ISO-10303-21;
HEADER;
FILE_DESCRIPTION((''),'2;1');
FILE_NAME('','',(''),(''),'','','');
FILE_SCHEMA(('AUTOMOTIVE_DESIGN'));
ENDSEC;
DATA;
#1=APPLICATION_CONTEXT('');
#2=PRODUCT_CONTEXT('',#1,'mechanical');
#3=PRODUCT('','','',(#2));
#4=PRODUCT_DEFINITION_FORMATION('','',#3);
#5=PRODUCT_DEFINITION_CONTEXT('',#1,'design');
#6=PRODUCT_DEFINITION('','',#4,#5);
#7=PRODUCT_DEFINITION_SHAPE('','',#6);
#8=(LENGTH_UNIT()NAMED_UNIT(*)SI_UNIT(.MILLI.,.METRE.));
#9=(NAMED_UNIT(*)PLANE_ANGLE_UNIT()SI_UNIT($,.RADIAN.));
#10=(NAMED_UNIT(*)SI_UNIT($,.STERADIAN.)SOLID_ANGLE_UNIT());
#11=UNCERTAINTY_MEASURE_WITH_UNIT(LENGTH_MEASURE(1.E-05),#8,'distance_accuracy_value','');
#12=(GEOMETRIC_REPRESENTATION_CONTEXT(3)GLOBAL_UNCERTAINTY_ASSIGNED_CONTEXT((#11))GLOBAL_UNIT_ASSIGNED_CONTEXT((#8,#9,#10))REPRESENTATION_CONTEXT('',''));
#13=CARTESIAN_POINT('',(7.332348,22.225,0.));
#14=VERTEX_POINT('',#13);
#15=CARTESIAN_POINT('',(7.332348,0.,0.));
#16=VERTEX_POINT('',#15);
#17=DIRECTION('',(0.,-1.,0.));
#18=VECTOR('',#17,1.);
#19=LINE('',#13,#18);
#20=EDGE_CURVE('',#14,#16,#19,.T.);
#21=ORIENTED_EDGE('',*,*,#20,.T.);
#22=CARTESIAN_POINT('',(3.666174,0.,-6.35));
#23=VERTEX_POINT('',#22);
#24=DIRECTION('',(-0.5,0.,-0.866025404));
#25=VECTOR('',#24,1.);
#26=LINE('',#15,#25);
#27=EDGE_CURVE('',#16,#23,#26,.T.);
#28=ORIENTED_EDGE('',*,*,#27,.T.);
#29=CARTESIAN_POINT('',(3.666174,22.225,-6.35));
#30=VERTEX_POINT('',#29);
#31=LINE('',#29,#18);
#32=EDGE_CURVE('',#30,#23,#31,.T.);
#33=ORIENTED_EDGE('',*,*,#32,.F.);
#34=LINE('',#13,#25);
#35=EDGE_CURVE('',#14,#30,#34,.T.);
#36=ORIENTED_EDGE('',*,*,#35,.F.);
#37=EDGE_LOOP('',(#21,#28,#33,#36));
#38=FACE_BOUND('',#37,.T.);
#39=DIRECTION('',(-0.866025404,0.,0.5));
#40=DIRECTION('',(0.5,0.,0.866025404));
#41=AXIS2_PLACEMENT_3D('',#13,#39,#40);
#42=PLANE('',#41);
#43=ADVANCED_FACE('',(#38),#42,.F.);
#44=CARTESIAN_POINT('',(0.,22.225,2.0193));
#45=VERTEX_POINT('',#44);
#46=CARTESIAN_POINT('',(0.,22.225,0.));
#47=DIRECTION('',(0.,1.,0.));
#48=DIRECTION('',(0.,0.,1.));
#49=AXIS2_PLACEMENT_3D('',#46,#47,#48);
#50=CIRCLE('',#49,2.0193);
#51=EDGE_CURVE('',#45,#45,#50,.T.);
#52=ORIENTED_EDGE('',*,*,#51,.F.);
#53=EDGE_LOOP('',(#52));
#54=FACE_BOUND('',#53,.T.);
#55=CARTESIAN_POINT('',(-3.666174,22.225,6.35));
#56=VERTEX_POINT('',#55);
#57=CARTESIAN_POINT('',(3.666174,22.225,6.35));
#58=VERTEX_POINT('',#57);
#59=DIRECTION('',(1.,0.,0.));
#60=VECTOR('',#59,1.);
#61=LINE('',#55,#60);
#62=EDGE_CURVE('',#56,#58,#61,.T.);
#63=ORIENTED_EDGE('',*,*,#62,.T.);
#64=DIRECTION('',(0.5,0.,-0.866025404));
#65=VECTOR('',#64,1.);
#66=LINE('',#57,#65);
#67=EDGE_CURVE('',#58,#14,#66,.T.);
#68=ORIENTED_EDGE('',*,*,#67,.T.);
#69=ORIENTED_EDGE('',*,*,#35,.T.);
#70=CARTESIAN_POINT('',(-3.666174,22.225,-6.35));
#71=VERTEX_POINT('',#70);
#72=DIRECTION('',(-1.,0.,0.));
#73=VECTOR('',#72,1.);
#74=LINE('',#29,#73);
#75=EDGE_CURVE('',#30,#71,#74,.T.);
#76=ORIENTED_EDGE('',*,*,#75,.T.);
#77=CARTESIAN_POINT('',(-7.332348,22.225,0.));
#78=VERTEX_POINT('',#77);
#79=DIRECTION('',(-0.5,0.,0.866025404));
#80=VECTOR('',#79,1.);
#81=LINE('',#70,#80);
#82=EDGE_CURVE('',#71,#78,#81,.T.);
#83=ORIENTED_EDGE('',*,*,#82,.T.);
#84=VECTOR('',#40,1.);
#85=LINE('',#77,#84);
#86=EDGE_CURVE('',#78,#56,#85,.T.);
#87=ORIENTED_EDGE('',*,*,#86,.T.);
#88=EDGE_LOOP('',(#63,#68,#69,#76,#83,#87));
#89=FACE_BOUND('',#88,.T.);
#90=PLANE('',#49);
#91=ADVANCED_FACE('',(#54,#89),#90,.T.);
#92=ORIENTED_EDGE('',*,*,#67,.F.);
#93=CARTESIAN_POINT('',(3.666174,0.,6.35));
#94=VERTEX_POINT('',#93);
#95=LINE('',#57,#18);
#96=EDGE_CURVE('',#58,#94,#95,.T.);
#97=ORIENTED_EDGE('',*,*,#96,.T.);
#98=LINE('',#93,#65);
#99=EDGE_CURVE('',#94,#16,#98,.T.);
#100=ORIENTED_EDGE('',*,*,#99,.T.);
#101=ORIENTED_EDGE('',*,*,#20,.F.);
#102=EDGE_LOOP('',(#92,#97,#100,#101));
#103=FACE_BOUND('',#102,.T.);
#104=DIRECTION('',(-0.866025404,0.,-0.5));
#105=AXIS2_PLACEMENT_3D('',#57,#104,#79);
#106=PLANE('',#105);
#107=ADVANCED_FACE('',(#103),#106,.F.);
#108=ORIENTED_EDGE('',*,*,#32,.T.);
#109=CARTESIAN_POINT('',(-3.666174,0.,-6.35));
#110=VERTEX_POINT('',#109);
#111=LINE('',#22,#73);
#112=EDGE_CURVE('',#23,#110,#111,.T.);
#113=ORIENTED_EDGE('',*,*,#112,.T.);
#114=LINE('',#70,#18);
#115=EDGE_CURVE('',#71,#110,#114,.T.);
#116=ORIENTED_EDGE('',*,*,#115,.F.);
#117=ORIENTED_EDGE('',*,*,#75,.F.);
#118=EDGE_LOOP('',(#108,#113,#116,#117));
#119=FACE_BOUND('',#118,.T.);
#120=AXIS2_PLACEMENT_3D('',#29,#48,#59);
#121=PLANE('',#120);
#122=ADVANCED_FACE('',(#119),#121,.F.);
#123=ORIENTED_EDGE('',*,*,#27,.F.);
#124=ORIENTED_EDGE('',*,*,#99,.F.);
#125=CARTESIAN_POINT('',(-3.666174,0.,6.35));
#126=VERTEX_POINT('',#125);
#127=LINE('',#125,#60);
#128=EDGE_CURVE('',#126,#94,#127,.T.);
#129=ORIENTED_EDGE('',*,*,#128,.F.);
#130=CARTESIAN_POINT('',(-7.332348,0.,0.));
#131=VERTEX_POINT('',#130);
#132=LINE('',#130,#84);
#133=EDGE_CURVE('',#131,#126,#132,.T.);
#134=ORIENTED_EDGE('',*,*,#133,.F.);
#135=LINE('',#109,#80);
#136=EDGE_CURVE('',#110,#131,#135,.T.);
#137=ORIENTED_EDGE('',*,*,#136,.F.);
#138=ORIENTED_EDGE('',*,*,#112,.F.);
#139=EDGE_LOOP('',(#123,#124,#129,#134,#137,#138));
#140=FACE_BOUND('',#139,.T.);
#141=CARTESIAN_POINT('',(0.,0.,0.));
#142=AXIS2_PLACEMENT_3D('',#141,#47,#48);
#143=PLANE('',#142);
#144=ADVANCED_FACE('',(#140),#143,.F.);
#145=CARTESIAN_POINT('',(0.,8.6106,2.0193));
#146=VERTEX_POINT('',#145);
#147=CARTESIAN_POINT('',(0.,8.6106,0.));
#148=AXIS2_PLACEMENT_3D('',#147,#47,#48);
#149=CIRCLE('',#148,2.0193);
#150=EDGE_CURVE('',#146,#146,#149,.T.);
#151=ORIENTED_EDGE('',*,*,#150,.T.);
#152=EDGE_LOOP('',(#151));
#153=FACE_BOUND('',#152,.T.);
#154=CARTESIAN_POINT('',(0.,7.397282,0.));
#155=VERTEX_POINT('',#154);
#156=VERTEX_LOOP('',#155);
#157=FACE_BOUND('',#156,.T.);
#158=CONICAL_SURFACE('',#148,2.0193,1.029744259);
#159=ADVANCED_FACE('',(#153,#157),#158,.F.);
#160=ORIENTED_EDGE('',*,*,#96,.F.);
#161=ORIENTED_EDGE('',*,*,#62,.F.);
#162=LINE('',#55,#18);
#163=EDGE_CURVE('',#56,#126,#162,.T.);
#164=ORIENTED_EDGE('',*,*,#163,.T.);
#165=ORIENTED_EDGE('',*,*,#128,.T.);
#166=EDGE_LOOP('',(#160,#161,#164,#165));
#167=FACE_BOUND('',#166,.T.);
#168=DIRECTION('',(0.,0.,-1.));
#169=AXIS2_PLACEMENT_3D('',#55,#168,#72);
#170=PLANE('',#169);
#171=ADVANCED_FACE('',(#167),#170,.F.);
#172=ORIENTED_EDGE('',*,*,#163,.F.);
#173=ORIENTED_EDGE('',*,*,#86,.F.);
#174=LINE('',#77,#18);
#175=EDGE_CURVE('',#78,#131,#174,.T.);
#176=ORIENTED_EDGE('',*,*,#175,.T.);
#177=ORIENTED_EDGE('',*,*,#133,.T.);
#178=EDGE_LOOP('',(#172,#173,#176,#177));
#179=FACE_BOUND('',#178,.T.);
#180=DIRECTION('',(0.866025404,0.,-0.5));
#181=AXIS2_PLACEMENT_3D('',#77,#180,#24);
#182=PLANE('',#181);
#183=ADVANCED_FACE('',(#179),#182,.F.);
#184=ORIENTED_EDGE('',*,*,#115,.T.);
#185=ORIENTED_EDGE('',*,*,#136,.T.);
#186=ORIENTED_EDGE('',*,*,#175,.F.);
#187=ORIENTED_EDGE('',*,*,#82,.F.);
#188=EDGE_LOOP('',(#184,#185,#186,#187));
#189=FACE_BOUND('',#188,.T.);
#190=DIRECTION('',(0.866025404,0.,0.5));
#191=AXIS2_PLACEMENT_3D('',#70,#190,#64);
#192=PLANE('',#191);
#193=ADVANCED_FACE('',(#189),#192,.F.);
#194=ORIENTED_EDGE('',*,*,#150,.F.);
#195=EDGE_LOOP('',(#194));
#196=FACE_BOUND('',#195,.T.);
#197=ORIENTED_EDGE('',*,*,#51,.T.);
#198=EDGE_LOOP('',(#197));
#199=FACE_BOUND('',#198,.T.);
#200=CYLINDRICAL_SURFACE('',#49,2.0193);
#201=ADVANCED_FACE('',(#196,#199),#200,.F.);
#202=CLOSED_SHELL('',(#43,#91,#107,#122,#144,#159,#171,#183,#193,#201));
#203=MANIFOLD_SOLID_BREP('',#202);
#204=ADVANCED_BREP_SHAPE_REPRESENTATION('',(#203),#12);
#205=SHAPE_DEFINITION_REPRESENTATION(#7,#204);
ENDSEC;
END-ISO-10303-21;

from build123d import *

# Parameters (mm, degrees)
BOSS_EXTRUDE1_DEPTH        = 22.225
F_10_32_TAPPED_HOLE1_D     = 4.0386
F_10_32_TAPPED_HOLE1_DEPTH = 13.6144
F_10_32_TAPPED_HOLE1_TIP   = 1.213317848


with BuildPart() as part:
    # Sketch1 → Boss-Extrude1 (new body)
    with BuildSketch(Plane(origin=(0, 0, 0), x_dir=(1, 0, 0), z_dir=(0, 1, 0))):
        Polygon((7.332348419, 0), (3.666174209, 6.35), (-3.666174209, 6.35), (-7.332348419, 0), (-3.666174209, -6.35), (3.666174209, -6.35), align=None)
    extrude(amount=BOSS_EXTRUDE1_DEPTH)

    # #10-32 Tapped Hole1
    with Locations(Plane(origin=(0, 22.225, 0), x_dir=(1, 0, 0), z_dir=(0, 1, 0))):
        with Locations((0, 0)):
            Hole(F_10_32_TAPPED_HOLE1_D / 2, depth=F_10_32_TAPPED_HOLE1_DEPTH)
            with Locations((0, 0, -(F_10_32_TAPPED_HOLE1_DEPTH + F_10_32_TAPPED_HOLE1_TIP / 2))):  # 118° drill point
                Cone(0, F_10_32_TAPPED_HOLE1_D / 2, F_10_32_TAPPED_HOLE1_TIP, mode=Mode.SUBTRACT)


solid = part.part
